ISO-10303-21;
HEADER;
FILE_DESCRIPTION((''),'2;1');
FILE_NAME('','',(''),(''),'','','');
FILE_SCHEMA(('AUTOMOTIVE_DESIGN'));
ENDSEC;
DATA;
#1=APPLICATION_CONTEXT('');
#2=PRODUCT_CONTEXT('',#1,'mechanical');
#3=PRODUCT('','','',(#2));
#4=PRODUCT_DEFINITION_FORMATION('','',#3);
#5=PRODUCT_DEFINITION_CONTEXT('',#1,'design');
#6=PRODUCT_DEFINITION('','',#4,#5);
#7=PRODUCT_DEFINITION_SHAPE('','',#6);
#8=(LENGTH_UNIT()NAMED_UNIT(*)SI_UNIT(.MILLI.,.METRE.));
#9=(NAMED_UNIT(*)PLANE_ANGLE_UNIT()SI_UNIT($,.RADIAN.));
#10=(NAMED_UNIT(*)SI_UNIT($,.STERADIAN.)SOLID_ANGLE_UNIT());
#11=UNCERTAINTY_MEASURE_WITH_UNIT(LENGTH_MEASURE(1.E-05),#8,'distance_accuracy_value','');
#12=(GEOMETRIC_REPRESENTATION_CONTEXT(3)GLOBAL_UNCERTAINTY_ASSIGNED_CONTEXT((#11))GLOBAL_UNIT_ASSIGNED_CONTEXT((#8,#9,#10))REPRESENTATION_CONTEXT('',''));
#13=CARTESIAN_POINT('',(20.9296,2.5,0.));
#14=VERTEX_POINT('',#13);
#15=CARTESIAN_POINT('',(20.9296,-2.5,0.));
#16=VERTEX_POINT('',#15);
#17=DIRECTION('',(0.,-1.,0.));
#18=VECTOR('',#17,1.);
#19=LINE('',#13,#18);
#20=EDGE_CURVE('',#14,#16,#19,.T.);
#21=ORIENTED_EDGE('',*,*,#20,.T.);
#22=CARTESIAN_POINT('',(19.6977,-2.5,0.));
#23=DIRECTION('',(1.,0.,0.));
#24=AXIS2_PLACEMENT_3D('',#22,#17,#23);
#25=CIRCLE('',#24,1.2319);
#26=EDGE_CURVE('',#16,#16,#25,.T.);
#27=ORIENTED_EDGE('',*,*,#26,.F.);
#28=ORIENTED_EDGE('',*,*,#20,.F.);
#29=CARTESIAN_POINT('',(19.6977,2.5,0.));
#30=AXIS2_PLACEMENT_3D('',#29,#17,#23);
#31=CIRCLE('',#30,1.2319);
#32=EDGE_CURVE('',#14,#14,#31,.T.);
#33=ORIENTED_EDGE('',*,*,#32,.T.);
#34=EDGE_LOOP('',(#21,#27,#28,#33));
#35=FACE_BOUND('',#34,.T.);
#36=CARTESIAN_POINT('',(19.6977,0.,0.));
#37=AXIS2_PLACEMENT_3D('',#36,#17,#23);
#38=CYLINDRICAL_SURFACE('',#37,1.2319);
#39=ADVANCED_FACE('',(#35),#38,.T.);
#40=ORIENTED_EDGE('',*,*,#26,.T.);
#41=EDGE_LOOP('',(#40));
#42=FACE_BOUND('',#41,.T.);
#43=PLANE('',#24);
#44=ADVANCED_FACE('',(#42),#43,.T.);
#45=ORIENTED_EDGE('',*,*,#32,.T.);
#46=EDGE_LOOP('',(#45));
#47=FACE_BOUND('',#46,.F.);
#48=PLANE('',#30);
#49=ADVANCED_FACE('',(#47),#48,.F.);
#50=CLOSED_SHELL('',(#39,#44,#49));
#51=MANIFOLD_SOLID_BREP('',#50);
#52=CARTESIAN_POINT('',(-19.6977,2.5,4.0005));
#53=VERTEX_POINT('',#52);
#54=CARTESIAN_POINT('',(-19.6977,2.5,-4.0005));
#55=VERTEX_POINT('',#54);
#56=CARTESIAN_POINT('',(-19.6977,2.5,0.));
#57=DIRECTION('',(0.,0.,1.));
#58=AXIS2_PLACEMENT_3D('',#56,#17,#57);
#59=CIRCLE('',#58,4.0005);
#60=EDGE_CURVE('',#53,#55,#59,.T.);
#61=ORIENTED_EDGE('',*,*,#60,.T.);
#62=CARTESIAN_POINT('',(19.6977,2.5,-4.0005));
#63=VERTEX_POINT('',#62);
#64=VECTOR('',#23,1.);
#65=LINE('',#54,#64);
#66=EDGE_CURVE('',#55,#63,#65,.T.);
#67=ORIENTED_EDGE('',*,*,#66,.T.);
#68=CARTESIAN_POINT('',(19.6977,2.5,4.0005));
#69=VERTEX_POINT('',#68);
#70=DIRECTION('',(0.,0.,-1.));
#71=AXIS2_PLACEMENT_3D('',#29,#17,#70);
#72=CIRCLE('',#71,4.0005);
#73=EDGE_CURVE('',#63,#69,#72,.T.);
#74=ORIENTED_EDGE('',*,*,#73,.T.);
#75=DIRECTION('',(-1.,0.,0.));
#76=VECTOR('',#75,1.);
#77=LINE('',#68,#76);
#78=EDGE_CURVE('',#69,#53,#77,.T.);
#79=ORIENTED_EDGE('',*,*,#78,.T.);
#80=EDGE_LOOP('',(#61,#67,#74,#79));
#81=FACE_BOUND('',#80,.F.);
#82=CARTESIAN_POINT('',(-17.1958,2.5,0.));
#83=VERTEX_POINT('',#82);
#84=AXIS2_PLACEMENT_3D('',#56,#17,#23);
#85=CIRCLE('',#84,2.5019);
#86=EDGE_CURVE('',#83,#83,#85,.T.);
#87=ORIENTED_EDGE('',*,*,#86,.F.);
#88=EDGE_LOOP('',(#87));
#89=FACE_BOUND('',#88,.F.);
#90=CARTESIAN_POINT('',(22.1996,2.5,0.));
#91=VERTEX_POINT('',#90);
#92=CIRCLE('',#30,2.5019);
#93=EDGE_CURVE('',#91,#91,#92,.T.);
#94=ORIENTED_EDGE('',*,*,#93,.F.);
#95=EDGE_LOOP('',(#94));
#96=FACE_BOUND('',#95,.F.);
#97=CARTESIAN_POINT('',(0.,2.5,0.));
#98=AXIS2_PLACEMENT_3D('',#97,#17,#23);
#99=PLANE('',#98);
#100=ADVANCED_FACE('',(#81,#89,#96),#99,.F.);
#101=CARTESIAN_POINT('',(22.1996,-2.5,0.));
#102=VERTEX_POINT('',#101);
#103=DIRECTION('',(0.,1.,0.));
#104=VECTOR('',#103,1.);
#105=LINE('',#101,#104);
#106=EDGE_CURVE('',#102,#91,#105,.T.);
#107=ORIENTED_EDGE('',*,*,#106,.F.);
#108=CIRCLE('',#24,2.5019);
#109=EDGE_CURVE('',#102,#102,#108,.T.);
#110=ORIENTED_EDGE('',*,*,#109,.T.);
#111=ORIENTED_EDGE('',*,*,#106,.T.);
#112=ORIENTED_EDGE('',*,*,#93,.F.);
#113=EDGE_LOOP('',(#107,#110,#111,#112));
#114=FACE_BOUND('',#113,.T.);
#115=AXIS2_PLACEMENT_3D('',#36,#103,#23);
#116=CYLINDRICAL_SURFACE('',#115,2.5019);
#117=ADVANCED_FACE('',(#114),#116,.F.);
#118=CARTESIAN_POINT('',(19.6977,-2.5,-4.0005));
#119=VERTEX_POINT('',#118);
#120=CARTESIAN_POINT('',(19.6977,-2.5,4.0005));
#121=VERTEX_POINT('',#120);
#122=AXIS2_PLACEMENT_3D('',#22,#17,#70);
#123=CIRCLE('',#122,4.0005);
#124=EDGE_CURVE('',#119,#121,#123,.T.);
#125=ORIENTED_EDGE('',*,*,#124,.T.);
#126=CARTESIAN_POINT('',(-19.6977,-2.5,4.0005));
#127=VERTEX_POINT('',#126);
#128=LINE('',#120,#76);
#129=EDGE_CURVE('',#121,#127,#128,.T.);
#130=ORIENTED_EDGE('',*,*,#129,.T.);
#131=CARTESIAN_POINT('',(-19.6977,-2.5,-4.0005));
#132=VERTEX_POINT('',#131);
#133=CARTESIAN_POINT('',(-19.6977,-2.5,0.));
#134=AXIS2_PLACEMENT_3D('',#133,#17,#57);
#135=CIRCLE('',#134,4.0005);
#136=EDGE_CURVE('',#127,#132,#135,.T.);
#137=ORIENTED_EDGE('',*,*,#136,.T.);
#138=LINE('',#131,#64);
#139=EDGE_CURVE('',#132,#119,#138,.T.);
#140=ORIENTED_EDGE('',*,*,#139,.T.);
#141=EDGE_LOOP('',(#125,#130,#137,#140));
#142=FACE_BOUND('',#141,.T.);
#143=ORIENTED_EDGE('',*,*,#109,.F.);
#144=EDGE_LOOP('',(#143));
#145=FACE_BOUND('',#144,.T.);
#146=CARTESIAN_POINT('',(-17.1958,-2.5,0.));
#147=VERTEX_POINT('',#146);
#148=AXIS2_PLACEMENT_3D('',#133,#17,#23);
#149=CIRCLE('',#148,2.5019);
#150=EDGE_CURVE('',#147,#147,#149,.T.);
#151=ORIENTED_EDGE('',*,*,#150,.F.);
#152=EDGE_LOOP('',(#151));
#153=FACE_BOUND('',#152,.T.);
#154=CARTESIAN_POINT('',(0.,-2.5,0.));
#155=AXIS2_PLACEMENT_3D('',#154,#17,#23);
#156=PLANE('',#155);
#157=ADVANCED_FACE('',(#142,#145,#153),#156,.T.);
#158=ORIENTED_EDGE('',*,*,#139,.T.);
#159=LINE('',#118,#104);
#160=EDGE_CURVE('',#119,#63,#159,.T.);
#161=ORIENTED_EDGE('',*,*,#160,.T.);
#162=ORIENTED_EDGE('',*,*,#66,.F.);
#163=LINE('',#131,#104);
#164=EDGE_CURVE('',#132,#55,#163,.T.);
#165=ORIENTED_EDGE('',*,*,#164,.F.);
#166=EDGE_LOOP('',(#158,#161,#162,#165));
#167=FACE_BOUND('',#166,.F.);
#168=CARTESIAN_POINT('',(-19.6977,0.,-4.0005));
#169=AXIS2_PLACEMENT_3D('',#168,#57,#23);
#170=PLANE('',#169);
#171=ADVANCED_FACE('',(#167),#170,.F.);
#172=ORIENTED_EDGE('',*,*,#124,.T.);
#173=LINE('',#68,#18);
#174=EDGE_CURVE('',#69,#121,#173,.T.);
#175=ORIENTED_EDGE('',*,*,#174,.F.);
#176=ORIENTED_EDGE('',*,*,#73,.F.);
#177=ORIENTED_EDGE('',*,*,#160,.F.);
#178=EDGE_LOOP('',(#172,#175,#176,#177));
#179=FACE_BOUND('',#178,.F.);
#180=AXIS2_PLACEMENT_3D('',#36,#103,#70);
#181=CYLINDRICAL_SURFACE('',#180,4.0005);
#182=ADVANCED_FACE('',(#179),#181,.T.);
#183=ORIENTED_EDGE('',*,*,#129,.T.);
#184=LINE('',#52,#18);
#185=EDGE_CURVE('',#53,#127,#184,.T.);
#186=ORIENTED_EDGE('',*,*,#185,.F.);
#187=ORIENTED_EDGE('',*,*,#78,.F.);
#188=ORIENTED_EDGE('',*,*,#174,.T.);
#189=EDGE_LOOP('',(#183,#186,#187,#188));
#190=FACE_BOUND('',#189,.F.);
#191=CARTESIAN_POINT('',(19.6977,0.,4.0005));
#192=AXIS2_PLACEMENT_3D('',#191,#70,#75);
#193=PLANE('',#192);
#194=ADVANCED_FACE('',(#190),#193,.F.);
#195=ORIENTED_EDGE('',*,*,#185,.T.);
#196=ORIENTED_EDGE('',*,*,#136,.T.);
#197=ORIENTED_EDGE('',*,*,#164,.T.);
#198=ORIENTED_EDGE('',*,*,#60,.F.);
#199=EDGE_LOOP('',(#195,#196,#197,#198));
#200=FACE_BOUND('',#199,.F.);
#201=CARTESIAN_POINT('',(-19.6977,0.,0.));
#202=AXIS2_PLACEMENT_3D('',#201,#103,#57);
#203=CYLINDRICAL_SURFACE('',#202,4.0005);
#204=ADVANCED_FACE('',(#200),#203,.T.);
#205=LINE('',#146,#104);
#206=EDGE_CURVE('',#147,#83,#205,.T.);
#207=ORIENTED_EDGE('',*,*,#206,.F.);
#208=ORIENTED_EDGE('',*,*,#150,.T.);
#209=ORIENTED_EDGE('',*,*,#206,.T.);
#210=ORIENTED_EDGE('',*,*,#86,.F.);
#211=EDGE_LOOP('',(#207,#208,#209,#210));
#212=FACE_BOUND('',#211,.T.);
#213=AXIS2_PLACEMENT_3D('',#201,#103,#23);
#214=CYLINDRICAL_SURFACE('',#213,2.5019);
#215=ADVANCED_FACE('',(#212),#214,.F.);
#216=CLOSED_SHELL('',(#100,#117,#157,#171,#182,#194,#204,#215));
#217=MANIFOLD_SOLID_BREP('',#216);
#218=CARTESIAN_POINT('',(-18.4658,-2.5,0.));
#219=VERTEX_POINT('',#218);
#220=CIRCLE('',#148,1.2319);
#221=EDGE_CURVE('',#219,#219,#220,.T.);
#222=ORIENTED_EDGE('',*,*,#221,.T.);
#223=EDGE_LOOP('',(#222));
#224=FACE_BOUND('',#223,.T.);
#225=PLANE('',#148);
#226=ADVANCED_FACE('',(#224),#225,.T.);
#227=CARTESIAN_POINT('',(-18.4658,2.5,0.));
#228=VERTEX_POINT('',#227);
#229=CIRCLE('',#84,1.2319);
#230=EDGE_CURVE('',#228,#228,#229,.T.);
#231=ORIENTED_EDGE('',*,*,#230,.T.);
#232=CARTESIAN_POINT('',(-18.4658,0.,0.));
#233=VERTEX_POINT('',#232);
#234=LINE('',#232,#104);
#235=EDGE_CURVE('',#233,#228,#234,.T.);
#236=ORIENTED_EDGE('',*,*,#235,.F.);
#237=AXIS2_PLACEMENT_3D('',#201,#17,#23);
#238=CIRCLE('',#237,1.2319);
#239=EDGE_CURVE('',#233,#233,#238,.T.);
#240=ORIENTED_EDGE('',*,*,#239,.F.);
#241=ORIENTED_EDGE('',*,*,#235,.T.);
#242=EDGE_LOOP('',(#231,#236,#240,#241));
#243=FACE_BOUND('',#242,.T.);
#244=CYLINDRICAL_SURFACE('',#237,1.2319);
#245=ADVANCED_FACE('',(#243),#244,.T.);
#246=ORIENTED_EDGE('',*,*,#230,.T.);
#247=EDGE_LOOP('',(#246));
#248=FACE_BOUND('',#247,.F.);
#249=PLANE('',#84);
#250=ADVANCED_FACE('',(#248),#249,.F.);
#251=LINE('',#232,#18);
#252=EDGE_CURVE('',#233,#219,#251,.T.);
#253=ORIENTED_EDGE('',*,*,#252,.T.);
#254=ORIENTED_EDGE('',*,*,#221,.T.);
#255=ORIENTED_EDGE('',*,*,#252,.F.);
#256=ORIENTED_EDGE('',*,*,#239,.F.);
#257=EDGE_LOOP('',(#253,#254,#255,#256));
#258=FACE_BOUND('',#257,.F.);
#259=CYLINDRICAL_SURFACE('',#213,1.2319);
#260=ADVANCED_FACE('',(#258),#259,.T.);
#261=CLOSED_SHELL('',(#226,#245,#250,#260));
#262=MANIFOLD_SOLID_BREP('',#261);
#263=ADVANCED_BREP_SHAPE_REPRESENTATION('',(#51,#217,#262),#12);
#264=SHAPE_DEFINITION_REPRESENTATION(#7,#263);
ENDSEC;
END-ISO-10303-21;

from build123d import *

# Parameters (mm, degrees)
F0_R     = 2.5019
F0_R_2   = 1.2319
F1_DEPTH = 2.5


with BuildPart() as f1:
    # F0 (on Front) → F1 (new body, symmetric)
    with BuildSketch(Plane.XZ):
        with BuildLine():
            ThreePointArc((19.6977, -4.0005), (23.6982, 0), (19.6977, 4.0005))
            Line((19.6977, 4.0005), (-19.6977, 4.0005))
            ThreePointArc((-19.6977, 4.0005), (-23.6982, 0), (-19.6977, -4.0005))
            Line((-19.6977, -4.0005), (19.6977, -4.0005))
        make_face()
        with Locations((-19.6977, 0)):
            Circle(F0_R, mode=Mode.SUBTRACT)
        with Locations((19.6977, 0)):
            Circle(F0_R, mode=Mode.SUBTRACT)
        with Locations((-19.6977, 0)):
            Circle(F0_R_2)
        with Locations((19.6977, 0)):
            Circle(F0_R_2)
    extrude(amount=F1_DEPTH, both=True)


solid = f1.part
